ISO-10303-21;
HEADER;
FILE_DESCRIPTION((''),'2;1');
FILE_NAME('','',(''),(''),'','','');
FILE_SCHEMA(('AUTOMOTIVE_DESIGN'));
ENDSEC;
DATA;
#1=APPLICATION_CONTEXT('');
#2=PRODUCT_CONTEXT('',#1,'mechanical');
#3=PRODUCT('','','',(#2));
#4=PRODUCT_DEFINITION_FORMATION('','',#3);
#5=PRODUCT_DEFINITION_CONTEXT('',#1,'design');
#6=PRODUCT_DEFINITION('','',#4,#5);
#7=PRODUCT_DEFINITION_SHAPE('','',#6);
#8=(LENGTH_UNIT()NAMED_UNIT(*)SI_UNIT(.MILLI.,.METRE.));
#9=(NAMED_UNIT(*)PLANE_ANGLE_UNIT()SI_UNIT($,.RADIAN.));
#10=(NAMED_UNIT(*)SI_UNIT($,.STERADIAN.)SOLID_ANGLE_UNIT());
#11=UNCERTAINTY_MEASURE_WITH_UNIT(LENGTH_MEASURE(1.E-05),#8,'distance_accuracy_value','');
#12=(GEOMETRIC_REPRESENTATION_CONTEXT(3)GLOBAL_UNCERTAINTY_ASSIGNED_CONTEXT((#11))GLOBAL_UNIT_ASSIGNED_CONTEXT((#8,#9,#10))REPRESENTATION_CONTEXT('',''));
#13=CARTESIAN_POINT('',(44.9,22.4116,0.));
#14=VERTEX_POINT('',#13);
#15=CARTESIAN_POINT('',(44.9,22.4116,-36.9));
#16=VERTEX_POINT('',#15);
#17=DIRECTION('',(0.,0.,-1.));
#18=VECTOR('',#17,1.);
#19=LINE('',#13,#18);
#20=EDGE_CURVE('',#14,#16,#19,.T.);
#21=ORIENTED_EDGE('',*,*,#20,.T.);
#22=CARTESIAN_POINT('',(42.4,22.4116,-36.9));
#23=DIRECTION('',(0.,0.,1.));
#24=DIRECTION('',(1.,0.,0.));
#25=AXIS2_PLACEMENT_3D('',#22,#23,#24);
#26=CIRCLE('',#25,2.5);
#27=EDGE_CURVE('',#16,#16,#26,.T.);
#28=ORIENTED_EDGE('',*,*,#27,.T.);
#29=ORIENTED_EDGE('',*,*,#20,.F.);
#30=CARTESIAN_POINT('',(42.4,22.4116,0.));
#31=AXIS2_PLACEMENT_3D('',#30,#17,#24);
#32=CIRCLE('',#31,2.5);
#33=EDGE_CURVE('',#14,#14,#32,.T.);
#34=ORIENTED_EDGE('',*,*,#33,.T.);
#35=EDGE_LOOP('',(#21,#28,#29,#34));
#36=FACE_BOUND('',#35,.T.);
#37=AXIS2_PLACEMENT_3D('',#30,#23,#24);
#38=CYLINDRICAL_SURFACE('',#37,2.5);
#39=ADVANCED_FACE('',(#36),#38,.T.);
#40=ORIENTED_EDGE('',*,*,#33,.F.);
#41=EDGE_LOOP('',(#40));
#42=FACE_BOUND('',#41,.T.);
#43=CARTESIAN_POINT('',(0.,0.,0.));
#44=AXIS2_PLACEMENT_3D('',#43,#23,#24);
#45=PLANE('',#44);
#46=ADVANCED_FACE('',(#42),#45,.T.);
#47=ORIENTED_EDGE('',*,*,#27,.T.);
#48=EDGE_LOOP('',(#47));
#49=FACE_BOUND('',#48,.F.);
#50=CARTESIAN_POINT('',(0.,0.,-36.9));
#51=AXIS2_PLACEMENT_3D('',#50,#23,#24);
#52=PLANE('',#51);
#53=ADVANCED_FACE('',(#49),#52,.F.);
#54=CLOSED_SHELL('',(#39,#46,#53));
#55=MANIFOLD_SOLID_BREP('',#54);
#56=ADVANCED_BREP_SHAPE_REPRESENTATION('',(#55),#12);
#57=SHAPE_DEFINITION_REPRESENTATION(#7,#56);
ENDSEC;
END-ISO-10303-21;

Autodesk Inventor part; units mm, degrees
ref_plane "YZ Plane" through (0, 0, 0) normal (1, 0, 0) x (0, 1, 0)
ref_plane "XZ Plane" through (0, 0, 0) normal (0, 1, 0) x (-1, 0, 0)
sketch "Sketch1" plane through (0, 0, 0) normal (0, 0, 1) x (1, 0, 0)
  circle A0 centre (-42.4, 22.4116) radius 2.5 projected
  circle A1 centre (42.4, 22.4116) radius 2.5 projected
  circle A2 centre (20, -27.6384) radius 2.5 projected
  circle A3 centre (20, 15.1616) radius 2.5 projected
  circle A4 centre (-20, -27.6384) radius 2.5 projected
  circle A5 centre (-20, 15.1616) radius 2.5 projected
  line L0 (-26.765, 25.1616) -> (26.765, 25.1616) projected
  line L1 (-54.9, 5.1616) -> (-54.9, 12.6256) projected
  line L2 (-29.9, -19.8384) -> (-54.9, 5.1616) projected
  line L3 (-29.9, -37.5384) -> (-29.9, -19.8384) projected
  line L4 (29.9, -37.5384) -> (-29.9, -37.5384) projected
  line L5 (29.9, -19.8384) -> (29.9, -37.5384) projected
  line L6 (54.9, 5.1616) -> (29.9, -19.8384) projected
  line L7 (54.9, 12.6256) -> (54.9, 5.1616) projected
  circle A6 centre (510.0548, 24.9116) radius 2.5 projected
  circle A7 centre (510.0548, 24.9116) radius 4.7
  line L8 (510.0548, 29.6116) -> (-194.5766, 29.6116)
  line L9 (510.0548, 20.2116) -> (-194.5766, 20.2116)
  arc A8 (54.9, 12.6256) -> (26.765, 25.1616) centre (42.4, 22.4116) ccw projected
  arc A9 (-26.765, 25.1616) -> (-54.9, 12.6256) centre (-42.4, 22.4116) ccw projected
  point P0 (0, 0)
  dimension "d0" = 9.4
ref_plane "Work Plane1" through (-54.9, -37.5384, -36.9) normal (0, 0, -1) x (0, 1, 0)
extrude "Extrusion1" add sketch "Sketch1" against normal up to surface (36.9 mm away) contours L9 A1 | A1 L9
properties part number "5mmRod"
